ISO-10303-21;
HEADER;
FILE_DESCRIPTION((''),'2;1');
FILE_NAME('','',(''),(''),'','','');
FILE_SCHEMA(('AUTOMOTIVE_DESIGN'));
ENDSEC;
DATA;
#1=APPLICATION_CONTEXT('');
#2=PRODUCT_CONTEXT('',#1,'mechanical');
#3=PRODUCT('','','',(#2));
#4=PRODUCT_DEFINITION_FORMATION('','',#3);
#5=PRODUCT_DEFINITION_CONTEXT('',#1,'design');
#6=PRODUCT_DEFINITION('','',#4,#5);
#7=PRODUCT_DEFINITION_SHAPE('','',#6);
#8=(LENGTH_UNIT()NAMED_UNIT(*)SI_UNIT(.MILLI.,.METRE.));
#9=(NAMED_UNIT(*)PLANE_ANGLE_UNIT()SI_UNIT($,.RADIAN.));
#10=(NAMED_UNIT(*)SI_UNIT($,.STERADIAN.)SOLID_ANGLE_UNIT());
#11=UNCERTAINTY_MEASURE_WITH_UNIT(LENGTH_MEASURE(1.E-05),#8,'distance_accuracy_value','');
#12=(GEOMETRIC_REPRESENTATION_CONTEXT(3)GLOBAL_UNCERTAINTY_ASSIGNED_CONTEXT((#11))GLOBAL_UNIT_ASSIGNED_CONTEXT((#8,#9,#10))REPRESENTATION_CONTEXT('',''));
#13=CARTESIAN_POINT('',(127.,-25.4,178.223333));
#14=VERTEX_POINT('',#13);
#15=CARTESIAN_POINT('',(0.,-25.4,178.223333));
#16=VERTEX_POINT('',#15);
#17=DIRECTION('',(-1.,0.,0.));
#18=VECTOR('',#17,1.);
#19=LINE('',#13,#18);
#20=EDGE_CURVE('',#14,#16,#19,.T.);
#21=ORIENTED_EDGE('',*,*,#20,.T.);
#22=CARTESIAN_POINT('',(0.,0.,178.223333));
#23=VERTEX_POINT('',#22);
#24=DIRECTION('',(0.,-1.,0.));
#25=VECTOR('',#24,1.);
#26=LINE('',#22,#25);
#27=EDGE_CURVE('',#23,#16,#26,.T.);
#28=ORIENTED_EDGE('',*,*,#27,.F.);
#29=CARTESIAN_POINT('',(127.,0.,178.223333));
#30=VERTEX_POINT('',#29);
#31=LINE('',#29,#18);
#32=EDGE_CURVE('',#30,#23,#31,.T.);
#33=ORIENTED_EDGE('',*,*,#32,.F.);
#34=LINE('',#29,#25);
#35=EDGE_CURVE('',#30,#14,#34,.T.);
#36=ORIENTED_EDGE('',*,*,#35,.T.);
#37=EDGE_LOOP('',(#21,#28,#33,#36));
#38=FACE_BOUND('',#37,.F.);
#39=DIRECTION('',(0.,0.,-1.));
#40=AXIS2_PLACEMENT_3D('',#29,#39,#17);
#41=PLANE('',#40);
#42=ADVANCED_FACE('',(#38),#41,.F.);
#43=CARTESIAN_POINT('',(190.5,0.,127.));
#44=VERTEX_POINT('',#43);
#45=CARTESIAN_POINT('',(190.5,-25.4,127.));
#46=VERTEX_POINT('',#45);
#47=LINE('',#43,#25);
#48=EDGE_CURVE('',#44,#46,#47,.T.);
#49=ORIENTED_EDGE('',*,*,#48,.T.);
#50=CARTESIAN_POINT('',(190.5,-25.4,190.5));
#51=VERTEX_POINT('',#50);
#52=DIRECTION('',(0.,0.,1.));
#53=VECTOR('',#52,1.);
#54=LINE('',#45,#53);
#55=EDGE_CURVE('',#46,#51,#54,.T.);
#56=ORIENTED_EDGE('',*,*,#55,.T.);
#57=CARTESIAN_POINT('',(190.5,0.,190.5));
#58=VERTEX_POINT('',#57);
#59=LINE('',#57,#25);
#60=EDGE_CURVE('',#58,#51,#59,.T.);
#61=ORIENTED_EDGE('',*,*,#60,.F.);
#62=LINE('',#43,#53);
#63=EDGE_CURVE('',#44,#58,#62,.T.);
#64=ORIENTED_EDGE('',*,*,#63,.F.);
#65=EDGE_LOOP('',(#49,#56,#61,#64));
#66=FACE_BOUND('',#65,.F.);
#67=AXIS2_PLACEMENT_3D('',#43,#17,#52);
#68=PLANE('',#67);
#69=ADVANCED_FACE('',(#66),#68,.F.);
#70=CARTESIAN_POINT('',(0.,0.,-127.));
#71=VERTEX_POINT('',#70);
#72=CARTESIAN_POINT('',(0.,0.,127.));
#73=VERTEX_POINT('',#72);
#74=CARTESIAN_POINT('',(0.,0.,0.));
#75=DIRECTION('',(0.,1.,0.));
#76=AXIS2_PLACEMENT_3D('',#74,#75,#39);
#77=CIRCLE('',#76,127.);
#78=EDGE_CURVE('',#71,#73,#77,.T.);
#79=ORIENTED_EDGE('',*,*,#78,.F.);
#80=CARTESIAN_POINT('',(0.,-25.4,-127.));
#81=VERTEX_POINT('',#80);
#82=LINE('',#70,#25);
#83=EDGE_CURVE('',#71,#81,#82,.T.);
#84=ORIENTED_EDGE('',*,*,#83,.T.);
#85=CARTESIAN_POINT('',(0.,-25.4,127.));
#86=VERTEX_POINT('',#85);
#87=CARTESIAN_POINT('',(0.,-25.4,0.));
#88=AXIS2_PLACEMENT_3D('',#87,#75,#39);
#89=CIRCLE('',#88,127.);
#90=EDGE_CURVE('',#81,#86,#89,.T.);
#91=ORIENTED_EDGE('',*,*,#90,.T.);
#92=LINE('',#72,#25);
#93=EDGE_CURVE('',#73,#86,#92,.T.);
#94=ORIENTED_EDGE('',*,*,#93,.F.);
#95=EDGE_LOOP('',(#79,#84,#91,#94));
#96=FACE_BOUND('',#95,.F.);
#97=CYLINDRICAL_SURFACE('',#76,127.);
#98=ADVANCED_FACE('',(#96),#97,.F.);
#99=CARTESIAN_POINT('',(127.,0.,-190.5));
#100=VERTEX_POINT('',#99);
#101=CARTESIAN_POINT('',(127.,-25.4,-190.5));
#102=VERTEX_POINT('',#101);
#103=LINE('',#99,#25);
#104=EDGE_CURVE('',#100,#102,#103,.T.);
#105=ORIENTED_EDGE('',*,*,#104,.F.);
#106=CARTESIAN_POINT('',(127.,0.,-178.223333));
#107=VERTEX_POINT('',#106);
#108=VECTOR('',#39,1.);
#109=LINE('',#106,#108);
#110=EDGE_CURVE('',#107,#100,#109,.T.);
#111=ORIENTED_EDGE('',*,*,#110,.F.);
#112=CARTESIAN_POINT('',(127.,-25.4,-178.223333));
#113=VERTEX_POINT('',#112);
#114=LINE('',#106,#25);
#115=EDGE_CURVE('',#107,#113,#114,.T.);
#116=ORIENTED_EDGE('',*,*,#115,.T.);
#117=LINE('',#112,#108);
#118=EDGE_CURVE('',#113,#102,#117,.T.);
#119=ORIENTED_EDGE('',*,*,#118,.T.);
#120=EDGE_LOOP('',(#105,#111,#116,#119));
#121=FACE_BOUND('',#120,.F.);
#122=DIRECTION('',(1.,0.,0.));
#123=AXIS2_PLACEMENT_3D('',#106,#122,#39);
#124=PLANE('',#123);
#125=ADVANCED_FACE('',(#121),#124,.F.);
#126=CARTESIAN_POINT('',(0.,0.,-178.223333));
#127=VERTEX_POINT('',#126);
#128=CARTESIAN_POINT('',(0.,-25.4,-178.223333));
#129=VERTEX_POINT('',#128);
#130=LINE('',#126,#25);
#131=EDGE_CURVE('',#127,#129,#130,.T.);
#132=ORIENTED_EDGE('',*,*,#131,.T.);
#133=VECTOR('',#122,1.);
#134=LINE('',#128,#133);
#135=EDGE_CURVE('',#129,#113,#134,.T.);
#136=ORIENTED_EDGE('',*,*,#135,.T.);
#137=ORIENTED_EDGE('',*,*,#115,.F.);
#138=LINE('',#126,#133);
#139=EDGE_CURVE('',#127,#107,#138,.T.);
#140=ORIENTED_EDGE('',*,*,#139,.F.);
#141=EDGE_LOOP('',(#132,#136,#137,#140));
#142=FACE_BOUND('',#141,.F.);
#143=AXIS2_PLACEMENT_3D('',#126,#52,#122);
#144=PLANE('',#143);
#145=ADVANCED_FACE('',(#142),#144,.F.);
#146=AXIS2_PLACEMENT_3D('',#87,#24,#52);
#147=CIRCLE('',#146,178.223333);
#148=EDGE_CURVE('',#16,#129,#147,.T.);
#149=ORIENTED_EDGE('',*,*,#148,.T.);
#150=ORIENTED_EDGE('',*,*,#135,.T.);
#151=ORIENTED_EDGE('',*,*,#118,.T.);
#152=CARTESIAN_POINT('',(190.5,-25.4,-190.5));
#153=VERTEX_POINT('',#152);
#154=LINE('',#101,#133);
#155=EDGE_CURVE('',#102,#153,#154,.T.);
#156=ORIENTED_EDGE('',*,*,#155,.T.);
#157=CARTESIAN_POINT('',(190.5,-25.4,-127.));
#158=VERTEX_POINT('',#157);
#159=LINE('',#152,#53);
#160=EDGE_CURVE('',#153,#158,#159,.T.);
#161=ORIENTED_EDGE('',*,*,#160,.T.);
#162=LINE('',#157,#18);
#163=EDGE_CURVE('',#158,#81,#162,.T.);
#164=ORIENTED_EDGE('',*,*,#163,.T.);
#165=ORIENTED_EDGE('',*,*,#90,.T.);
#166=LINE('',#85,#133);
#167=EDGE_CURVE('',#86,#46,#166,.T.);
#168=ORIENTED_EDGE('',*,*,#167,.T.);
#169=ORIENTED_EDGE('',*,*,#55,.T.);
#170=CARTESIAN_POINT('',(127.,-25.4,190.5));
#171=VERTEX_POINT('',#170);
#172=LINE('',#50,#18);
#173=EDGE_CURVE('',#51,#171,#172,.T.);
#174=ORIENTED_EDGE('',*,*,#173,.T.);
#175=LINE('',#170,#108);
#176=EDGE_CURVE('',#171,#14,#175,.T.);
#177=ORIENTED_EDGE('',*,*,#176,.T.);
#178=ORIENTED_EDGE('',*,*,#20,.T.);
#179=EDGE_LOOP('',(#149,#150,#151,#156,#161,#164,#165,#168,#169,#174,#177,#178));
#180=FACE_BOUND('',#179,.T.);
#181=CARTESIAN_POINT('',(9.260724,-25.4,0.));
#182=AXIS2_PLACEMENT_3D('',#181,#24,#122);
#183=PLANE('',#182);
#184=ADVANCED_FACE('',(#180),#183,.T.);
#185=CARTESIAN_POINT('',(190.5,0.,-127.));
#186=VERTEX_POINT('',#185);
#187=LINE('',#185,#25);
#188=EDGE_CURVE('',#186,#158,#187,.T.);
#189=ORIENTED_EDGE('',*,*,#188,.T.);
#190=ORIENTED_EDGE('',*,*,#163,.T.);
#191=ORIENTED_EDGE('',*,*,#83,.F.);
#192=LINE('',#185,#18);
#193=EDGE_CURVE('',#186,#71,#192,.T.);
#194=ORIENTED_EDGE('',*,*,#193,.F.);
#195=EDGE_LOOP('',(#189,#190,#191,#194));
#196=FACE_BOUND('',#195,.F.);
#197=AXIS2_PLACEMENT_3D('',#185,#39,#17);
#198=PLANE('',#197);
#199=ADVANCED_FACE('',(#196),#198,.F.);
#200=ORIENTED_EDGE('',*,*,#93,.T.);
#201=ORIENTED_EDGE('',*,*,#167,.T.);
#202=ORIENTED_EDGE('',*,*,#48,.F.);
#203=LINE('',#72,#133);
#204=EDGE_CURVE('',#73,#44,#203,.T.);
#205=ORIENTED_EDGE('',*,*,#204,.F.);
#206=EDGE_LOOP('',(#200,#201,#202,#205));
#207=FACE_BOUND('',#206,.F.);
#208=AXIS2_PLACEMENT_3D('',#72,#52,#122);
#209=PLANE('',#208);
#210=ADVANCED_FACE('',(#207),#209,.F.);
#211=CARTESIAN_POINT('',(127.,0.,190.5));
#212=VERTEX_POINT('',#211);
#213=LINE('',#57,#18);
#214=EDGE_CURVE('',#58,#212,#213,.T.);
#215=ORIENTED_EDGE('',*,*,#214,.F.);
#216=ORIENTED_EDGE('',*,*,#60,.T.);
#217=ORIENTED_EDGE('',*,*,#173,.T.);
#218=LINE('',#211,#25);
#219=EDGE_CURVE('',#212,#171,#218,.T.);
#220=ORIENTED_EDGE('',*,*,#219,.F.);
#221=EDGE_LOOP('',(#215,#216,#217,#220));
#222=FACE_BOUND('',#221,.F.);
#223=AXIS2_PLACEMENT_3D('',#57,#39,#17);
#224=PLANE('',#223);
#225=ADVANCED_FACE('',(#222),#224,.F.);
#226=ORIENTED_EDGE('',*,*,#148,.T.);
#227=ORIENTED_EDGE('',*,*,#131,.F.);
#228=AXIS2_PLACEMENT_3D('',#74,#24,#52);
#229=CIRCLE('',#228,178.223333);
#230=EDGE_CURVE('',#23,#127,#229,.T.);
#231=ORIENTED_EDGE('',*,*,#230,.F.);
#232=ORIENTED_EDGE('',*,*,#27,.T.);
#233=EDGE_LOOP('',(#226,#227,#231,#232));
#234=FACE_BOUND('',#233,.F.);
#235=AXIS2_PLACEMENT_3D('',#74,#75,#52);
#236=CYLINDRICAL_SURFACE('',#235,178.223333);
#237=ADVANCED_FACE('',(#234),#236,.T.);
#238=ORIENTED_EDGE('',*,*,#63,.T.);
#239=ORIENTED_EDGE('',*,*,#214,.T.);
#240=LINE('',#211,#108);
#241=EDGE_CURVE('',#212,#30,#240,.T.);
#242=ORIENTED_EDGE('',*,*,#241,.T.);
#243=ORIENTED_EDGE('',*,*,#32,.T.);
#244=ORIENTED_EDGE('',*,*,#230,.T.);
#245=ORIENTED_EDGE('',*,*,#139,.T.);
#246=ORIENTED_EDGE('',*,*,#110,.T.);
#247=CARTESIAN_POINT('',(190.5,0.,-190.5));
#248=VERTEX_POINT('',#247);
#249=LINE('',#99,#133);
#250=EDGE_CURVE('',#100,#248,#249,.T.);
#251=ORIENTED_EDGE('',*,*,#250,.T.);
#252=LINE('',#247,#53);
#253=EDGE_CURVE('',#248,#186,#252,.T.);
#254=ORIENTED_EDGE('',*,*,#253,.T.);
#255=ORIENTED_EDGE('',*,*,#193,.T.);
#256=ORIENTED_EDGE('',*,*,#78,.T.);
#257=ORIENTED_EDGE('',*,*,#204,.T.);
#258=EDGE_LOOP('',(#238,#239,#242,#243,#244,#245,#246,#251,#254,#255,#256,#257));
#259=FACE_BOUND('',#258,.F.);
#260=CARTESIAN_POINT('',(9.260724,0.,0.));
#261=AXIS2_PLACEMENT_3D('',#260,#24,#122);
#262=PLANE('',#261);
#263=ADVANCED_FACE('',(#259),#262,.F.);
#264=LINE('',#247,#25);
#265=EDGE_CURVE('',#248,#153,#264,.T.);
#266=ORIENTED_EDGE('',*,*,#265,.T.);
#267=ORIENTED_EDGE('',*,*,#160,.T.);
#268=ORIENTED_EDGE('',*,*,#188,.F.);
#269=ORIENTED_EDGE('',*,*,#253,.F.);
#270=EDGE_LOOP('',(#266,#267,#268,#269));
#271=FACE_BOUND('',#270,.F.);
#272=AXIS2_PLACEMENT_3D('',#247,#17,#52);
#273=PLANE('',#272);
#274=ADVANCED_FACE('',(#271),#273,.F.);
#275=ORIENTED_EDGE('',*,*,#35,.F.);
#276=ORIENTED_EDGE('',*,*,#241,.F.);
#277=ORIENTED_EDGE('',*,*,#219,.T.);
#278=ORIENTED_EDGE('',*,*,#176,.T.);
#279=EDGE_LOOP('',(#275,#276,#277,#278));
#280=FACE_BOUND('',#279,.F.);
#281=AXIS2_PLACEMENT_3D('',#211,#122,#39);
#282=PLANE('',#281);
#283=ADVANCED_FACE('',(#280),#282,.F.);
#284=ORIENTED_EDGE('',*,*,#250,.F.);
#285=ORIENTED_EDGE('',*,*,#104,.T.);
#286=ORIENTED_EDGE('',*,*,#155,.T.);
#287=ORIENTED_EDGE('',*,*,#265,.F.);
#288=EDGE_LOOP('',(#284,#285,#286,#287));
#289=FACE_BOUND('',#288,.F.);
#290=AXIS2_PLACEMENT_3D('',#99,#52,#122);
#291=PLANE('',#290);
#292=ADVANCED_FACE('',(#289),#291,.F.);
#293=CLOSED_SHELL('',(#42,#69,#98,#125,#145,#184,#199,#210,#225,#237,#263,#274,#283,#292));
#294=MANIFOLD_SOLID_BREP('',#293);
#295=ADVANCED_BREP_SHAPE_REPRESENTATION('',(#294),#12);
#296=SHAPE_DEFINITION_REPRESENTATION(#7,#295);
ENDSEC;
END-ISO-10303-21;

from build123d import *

# Parameters (mm, degrees)
F1_DEPTH = 25.4


with BuildPart() as f1:
    # F0 (on Front) → F1 (new body)
    with BuildSketch(Plane.XZ):
        with BuildLine():
            Line((127, 190.5), (127, 178.223333))
            Line((127, 178.223333), (0, 178.223333))
            ThreePointArc((0, 178.223333), (-178.223333, 0), (0, -178.223333))
            Line((0, -178.223333), (127, -178.223333))
            Line((127, -178.223333), (127, -190.5))
            Line((127, -190.5), (190.5, -190.5))
            Line((190.5, -190.5), (190.5, -178.223333))
            Line((190.5, -178.223333), (190.5, -127))
            Line((190.5, -127), (127, -127))
            Line((127, -127), (0, -127))
            ThreePointArc((0, -127), (-127, 0), (0, 127))
            Line((0, 127), (127, 127))
            Line((127, 127), (190.5, 127))
            Line((190.5, 127), (190.5, 178.223333))
            Line((190.5, 178.223333), (190.5, 190.5))
            Line((190.5, 190.5), (127, 190.5))
        make_face()
    extrude(amount=F1_DEPTH)


solid = f1.part
